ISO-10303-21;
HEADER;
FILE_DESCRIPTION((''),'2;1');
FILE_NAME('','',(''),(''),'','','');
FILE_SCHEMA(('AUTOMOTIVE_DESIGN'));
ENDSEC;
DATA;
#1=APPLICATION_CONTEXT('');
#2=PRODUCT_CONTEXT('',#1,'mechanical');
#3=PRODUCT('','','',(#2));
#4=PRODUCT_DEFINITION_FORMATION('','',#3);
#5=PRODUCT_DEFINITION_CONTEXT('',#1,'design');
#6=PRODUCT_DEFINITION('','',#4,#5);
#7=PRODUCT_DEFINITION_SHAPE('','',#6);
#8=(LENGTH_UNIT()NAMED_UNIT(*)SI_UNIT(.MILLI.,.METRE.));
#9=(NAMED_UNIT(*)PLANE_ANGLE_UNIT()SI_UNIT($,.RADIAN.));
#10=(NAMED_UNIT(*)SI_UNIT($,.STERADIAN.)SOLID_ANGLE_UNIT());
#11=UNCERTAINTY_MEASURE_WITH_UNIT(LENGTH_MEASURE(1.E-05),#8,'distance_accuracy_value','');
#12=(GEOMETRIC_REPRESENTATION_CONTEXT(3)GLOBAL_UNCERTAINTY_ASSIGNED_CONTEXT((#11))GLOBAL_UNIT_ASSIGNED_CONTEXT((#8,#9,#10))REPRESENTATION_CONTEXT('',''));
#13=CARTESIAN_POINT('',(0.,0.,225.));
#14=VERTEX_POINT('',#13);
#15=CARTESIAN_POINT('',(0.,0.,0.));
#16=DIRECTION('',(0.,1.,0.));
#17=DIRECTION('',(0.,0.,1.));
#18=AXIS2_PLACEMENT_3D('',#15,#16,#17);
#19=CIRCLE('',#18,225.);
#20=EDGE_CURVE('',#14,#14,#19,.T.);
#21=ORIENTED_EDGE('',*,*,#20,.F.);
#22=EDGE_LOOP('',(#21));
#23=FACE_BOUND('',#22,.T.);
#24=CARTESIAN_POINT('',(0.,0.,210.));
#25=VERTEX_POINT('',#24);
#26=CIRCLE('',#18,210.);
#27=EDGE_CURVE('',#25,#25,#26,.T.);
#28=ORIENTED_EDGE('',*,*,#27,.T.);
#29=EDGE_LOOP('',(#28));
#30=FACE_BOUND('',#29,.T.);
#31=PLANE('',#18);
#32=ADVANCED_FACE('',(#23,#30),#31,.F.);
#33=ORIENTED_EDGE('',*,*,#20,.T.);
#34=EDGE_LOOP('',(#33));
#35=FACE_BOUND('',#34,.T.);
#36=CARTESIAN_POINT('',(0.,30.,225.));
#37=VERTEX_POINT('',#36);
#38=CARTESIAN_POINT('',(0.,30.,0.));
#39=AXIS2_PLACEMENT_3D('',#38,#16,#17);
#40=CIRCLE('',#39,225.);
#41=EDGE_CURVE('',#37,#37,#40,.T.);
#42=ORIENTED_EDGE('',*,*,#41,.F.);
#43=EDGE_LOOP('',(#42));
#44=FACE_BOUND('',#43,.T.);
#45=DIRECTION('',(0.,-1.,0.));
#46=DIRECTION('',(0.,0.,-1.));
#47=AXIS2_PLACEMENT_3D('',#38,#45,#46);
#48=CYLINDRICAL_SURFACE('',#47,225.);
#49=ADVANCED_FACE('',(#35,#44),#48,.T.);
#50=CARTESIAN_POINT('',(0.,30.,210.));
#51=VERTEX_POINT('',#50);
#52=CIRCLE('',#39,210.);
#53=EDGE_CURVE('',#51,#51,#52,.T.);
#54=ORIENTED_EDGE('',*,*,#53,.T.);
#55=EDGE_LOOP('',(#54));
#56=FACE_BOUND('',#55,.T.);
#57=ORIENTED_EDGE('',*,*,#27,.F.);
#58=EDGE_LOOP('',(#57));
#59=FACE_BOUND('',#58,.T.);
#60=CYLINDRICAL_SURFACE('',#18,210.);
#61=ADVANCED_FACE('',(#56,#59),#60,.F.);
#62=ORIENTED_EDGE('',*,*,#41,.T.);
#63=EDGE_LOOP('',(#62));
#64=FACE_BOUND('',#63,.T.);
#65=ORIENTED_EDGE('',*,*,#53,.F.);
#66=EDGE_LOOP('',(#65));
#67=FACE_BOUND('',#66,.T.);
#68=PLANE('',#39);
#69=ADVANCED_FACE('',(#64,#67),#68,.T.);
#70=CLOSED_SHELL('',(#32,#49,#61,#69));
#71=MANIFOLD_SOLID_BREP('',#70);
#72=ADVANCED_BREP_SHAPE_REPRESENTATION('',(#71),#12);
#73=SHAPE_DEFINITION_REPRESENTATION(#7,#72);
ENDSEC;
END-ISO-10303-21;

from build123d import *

# Parameters (mm, degrees)
SKETCH1_R               = 225
BOSS_EXTRUDE1_DEPTH     = 30
SKETCH2_R               = 210
CUT_EXTRUDE1_DEPTH      = 1
CUT_EXTRUDE1_DEPTH_BACK = 31


with BuildPart() as part:
    # Sketch1 → Boss-Extrude1 (new body)
    with BuildSketch(Plane(origin=(0, 0, 0), x_dir=(1, 0, 0), z_dir=(0, 1, 0))):
        Circle(SKETCH1_R)
    extrude(amount=BOSS_EXTRUDE1_DEPTH)

    # Sketch2 → Cut-Extrude1 (cut, two sides)
    with BuildSketch(Plane(origin=(0, 30, 0), x_dir=(1, 0, 0), z_dir=(0, 1, 0))) as cut_extrude1_sk:
        Circle(SKETCH2_R)
    extrude(amount=CUT_EXTRUDE1_DEPTH, mode=Mode.SUBTRACT)
    extrude(cut_extrude1_sk.sketch, amount=-CUT_EXTRUDE1_DEPTH_BACK, mode=Mode.SUBTRACT)


solid = part.part
